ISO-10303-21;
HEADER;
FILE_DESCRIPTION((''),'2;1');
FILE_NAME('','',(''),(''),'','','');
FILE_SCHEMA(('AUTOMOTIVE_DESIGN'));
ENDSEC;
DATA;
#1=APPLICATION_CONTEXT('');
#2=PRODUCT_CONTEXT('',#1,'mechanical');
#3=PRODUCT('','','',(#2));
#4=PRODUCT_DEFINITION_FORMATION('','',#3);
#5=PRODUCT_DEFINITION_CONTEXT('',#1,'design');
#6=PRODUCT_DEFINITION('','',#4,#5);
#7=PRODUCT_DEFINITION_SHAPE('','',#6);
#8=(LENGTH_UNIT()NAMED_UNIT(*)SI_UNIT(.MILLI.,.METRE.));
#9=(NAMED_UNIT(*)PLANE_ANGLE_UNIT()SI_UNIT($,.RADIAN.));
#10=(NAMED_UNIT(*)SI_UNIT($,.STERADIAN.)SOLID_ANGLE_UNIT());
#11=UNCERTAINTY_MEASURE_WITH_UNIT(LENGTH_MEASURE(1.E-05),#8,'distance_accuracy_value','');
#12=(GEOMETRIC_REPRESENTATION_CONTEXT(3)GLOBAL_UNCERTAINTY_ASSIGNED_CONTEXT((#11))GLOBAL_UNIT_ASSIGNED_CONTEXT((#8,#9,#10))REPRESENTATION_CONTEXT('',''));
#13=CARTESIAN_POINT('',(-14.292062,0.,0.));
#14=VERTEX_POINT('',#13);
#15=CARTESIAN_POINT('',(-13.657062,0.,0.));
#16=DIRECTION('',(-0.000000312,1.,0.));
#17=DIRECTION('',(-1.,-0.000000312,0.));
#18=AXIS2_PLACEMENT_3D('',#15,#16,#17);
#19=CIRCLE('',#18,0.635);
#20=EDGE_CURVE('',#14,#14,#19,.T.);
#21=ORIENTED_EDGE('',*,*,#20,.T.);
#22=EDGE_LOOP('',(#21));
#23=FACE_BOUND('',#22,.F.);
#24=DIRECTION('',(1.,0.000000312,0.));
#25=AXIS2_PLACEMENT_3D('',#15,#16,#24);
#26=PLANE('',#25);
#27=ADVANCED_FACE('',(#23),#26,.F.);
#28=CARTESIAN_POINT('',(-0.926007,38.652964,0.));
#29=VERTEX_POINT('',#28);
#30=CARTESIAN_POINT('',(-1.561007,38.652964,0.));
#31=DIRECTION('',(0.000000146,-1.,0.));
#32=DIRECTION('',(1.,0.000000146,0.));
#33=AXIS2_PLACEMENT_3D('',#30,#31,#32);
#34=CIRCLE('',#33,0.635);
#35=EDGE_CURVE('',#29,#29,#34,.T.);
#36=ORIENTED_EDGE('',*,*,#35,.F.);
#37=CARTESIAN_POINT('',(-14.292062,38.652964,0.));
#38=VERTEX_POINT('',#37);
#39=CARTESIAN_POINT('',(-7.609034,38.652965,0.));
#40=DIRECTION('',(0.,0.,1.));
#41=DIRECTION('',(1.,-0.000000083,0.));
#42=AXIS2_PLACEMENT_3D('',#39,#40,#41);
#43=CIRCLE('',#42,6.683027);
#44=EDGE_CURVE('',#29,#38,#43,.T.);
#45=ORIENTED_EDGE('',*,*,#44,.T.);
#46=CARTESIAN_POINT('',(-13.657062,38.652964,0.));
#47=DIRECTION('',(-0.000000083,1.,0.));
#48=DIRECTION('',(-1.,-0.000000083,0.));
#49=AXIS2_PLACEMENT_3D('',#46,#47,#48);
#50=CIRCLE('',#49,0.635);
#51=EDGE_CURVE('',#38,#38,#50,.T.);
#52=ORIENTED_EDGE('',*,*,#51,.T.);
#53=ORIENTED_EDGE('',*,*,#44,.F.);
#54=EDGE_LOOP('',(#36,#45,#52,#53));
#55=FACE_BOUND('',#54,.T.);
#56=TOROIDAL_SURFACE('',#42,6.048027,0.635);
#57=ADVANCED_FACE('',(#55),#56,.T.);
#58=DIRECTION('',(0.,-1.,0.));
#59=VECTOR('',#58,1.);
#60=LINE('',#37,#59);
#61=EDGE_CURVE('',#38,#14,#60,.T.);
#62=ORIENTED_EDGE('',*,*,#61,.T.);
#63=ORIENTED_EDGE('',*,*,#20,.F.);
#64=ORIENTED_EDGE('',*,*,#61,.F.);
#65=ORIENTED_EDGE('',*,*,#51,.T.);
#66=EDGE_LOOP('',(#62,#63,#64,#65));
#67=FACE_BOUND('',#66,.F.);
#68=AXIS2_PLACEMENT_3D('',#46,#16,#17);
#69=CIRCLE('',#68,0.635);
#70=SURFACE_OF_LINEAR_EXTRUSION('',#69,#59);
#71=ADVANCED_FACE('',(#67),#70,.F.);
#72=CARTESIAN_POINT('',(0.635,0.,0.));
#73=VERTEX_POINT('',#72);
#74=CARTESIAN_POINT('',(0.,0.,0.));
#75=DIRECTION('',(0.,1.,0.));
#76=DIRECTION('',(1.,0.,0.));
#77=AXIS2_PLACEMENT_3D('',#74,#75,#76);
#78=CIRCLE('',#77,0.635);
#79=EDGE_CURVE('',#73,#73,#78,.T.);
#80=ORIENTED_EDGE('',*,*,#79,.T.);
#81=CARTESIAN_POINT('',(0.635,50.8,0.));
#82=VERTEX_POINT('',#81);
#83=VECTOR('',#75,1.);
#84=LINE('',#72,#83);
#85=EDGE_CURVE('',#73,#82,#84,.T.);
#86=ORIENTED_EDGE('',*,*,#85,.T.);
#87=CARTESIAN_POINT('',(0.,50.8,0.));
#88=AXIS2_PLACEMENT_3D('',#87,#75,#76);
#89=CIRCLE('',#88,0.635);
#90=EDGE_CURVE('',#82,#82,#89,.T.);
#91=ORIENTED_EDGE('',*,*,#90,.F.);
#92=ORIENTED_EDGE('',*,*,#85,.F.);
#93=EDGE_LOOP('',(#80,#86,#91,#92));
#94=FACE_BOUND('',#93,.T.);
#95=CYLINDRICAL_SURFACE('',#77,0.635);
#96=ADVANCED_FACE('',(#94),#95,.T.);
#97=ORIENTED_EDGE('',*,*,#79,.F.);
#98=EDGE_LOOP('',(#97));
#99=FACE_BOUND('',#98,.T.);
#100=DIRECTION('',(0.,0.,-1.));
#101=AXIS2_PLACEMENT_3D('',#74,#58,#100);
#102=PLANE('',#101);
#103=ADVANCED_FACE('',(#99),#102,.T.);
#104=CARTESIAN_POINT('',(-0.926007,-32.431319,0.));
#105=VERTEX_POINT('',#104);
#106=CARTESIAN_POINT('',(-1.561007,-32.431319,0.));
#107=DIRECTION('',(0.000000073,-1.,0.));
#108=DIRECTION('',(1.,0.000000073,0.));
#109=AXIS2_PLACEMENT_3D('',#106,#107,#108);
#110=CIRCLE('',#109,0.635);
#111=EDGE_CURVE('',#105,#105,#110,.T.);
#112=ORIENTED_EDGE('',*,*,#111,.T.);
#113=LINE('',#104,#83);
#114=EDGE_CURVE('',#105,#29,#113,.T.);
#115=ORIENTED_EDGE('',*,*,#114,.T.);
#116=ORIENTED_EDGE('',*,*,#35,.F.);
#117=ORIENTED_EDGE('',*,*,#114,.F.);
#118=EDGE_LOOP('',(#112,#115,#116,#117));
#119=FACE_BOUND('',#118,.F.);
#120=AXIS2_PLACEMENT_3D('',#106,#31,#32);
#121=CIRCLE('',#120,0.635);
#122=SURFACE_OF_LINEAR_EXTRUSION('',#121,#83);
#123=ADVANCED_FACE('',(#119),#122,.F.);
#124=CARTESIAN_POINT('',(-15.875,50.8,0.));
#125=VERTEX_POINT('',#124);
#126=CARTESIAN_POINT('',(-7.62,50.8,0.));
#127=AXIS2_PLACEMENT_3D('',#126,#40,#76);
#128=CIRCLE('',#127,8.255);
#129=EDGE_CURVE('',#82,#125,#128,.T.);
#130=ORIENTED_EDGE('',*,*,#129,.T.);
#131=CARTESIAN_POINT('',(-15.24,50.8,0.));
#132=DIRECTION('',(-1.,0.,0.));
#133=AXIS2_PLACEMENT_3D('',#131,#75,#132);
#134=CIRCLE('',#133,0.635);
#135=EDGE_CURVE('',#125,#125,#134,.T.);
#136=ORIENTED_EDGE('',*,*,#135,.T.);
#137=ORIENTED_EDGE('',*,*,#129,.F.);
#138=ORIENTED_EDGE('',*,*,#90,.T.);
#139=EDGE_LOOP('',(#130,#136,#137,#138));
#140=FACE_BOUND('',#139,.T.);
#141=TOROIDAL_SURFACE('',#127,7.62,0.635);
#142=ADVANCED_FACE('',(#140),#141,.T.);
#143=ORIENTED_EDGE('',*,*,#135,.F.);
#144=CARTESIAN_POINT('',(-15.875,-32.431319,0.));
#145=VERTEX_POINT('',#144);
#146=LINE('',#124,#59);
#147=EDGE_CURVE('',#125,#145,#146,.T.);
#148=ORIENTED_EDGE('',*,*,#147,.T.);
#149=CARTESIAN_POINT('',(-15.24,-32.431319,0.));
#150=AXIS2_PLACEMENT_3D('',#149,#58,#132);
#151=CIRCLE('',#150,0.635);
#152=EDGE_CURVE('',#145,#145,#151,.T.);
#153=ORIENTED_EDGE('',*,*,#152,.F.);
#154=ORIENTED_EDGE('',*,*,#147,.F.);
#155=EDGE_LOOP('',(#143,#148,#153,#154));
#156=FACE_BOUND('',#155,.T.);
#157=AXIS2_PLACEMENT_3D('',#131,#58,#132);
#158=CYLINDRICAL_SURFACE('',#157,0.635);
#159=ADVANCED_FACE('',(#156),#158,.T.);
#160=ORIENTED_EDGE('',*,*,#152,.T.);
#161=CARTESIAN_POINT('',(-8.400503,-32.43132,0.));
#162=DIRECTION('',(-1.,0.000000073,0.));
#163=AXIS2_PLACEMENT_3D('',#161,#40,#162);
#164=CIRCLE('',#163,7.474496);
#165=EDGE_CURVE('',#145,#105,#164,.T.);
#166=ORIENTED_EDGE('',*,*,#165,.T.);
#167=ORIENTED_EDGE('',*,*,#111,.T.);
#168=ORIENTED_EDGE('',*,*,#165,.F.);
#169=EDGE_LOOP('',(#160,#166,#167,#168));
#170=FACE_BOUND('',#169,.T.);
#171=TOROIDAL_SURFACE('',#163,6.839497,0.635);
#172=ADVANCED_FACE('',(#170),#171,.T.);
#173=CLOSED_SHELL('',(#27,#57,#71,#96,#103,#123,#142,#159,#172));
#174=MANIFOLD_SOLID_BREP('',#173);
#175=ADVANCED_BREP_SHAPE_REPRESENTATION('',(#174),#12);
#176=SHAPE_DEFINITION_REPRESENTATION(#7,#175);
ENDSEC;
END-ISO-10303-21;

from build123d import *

# Parameters (mm, degrees)
F0_R = 0.635


with BuildPart() as f2:
    # F2: sweep along a path in F1
    with BuildLine(Plane.XY) as f2_path:
        Line((0, 0), (0, 50.8))
        ThreePointArc((0, 50.8), (-7.62, 58.42), (-15.24, 50.8))
        Line((-15.24, 50.8), (-15.24, -32.431319))
        ThreePointArc((-15.24, -32.431319), (-8.400503, -39.270816), (-1.561007, -32.431319))
        Line((-1.561007, -32.431319), (-1.561007, 38.652964))
        ThreePointArc((-1.561007, 38.652964), (-7.609035, 44.700992), (-13.657062, 38.652964))
        Line((-13.657062, 38.652964), (-13.657062, 0))
    # F0 (on Front) → F2 (sweep)
    with BuildSketch(Plane.XZ):
        Circle(F0_R)
    sweep(path=f2_path.line)


solid = f2.part
